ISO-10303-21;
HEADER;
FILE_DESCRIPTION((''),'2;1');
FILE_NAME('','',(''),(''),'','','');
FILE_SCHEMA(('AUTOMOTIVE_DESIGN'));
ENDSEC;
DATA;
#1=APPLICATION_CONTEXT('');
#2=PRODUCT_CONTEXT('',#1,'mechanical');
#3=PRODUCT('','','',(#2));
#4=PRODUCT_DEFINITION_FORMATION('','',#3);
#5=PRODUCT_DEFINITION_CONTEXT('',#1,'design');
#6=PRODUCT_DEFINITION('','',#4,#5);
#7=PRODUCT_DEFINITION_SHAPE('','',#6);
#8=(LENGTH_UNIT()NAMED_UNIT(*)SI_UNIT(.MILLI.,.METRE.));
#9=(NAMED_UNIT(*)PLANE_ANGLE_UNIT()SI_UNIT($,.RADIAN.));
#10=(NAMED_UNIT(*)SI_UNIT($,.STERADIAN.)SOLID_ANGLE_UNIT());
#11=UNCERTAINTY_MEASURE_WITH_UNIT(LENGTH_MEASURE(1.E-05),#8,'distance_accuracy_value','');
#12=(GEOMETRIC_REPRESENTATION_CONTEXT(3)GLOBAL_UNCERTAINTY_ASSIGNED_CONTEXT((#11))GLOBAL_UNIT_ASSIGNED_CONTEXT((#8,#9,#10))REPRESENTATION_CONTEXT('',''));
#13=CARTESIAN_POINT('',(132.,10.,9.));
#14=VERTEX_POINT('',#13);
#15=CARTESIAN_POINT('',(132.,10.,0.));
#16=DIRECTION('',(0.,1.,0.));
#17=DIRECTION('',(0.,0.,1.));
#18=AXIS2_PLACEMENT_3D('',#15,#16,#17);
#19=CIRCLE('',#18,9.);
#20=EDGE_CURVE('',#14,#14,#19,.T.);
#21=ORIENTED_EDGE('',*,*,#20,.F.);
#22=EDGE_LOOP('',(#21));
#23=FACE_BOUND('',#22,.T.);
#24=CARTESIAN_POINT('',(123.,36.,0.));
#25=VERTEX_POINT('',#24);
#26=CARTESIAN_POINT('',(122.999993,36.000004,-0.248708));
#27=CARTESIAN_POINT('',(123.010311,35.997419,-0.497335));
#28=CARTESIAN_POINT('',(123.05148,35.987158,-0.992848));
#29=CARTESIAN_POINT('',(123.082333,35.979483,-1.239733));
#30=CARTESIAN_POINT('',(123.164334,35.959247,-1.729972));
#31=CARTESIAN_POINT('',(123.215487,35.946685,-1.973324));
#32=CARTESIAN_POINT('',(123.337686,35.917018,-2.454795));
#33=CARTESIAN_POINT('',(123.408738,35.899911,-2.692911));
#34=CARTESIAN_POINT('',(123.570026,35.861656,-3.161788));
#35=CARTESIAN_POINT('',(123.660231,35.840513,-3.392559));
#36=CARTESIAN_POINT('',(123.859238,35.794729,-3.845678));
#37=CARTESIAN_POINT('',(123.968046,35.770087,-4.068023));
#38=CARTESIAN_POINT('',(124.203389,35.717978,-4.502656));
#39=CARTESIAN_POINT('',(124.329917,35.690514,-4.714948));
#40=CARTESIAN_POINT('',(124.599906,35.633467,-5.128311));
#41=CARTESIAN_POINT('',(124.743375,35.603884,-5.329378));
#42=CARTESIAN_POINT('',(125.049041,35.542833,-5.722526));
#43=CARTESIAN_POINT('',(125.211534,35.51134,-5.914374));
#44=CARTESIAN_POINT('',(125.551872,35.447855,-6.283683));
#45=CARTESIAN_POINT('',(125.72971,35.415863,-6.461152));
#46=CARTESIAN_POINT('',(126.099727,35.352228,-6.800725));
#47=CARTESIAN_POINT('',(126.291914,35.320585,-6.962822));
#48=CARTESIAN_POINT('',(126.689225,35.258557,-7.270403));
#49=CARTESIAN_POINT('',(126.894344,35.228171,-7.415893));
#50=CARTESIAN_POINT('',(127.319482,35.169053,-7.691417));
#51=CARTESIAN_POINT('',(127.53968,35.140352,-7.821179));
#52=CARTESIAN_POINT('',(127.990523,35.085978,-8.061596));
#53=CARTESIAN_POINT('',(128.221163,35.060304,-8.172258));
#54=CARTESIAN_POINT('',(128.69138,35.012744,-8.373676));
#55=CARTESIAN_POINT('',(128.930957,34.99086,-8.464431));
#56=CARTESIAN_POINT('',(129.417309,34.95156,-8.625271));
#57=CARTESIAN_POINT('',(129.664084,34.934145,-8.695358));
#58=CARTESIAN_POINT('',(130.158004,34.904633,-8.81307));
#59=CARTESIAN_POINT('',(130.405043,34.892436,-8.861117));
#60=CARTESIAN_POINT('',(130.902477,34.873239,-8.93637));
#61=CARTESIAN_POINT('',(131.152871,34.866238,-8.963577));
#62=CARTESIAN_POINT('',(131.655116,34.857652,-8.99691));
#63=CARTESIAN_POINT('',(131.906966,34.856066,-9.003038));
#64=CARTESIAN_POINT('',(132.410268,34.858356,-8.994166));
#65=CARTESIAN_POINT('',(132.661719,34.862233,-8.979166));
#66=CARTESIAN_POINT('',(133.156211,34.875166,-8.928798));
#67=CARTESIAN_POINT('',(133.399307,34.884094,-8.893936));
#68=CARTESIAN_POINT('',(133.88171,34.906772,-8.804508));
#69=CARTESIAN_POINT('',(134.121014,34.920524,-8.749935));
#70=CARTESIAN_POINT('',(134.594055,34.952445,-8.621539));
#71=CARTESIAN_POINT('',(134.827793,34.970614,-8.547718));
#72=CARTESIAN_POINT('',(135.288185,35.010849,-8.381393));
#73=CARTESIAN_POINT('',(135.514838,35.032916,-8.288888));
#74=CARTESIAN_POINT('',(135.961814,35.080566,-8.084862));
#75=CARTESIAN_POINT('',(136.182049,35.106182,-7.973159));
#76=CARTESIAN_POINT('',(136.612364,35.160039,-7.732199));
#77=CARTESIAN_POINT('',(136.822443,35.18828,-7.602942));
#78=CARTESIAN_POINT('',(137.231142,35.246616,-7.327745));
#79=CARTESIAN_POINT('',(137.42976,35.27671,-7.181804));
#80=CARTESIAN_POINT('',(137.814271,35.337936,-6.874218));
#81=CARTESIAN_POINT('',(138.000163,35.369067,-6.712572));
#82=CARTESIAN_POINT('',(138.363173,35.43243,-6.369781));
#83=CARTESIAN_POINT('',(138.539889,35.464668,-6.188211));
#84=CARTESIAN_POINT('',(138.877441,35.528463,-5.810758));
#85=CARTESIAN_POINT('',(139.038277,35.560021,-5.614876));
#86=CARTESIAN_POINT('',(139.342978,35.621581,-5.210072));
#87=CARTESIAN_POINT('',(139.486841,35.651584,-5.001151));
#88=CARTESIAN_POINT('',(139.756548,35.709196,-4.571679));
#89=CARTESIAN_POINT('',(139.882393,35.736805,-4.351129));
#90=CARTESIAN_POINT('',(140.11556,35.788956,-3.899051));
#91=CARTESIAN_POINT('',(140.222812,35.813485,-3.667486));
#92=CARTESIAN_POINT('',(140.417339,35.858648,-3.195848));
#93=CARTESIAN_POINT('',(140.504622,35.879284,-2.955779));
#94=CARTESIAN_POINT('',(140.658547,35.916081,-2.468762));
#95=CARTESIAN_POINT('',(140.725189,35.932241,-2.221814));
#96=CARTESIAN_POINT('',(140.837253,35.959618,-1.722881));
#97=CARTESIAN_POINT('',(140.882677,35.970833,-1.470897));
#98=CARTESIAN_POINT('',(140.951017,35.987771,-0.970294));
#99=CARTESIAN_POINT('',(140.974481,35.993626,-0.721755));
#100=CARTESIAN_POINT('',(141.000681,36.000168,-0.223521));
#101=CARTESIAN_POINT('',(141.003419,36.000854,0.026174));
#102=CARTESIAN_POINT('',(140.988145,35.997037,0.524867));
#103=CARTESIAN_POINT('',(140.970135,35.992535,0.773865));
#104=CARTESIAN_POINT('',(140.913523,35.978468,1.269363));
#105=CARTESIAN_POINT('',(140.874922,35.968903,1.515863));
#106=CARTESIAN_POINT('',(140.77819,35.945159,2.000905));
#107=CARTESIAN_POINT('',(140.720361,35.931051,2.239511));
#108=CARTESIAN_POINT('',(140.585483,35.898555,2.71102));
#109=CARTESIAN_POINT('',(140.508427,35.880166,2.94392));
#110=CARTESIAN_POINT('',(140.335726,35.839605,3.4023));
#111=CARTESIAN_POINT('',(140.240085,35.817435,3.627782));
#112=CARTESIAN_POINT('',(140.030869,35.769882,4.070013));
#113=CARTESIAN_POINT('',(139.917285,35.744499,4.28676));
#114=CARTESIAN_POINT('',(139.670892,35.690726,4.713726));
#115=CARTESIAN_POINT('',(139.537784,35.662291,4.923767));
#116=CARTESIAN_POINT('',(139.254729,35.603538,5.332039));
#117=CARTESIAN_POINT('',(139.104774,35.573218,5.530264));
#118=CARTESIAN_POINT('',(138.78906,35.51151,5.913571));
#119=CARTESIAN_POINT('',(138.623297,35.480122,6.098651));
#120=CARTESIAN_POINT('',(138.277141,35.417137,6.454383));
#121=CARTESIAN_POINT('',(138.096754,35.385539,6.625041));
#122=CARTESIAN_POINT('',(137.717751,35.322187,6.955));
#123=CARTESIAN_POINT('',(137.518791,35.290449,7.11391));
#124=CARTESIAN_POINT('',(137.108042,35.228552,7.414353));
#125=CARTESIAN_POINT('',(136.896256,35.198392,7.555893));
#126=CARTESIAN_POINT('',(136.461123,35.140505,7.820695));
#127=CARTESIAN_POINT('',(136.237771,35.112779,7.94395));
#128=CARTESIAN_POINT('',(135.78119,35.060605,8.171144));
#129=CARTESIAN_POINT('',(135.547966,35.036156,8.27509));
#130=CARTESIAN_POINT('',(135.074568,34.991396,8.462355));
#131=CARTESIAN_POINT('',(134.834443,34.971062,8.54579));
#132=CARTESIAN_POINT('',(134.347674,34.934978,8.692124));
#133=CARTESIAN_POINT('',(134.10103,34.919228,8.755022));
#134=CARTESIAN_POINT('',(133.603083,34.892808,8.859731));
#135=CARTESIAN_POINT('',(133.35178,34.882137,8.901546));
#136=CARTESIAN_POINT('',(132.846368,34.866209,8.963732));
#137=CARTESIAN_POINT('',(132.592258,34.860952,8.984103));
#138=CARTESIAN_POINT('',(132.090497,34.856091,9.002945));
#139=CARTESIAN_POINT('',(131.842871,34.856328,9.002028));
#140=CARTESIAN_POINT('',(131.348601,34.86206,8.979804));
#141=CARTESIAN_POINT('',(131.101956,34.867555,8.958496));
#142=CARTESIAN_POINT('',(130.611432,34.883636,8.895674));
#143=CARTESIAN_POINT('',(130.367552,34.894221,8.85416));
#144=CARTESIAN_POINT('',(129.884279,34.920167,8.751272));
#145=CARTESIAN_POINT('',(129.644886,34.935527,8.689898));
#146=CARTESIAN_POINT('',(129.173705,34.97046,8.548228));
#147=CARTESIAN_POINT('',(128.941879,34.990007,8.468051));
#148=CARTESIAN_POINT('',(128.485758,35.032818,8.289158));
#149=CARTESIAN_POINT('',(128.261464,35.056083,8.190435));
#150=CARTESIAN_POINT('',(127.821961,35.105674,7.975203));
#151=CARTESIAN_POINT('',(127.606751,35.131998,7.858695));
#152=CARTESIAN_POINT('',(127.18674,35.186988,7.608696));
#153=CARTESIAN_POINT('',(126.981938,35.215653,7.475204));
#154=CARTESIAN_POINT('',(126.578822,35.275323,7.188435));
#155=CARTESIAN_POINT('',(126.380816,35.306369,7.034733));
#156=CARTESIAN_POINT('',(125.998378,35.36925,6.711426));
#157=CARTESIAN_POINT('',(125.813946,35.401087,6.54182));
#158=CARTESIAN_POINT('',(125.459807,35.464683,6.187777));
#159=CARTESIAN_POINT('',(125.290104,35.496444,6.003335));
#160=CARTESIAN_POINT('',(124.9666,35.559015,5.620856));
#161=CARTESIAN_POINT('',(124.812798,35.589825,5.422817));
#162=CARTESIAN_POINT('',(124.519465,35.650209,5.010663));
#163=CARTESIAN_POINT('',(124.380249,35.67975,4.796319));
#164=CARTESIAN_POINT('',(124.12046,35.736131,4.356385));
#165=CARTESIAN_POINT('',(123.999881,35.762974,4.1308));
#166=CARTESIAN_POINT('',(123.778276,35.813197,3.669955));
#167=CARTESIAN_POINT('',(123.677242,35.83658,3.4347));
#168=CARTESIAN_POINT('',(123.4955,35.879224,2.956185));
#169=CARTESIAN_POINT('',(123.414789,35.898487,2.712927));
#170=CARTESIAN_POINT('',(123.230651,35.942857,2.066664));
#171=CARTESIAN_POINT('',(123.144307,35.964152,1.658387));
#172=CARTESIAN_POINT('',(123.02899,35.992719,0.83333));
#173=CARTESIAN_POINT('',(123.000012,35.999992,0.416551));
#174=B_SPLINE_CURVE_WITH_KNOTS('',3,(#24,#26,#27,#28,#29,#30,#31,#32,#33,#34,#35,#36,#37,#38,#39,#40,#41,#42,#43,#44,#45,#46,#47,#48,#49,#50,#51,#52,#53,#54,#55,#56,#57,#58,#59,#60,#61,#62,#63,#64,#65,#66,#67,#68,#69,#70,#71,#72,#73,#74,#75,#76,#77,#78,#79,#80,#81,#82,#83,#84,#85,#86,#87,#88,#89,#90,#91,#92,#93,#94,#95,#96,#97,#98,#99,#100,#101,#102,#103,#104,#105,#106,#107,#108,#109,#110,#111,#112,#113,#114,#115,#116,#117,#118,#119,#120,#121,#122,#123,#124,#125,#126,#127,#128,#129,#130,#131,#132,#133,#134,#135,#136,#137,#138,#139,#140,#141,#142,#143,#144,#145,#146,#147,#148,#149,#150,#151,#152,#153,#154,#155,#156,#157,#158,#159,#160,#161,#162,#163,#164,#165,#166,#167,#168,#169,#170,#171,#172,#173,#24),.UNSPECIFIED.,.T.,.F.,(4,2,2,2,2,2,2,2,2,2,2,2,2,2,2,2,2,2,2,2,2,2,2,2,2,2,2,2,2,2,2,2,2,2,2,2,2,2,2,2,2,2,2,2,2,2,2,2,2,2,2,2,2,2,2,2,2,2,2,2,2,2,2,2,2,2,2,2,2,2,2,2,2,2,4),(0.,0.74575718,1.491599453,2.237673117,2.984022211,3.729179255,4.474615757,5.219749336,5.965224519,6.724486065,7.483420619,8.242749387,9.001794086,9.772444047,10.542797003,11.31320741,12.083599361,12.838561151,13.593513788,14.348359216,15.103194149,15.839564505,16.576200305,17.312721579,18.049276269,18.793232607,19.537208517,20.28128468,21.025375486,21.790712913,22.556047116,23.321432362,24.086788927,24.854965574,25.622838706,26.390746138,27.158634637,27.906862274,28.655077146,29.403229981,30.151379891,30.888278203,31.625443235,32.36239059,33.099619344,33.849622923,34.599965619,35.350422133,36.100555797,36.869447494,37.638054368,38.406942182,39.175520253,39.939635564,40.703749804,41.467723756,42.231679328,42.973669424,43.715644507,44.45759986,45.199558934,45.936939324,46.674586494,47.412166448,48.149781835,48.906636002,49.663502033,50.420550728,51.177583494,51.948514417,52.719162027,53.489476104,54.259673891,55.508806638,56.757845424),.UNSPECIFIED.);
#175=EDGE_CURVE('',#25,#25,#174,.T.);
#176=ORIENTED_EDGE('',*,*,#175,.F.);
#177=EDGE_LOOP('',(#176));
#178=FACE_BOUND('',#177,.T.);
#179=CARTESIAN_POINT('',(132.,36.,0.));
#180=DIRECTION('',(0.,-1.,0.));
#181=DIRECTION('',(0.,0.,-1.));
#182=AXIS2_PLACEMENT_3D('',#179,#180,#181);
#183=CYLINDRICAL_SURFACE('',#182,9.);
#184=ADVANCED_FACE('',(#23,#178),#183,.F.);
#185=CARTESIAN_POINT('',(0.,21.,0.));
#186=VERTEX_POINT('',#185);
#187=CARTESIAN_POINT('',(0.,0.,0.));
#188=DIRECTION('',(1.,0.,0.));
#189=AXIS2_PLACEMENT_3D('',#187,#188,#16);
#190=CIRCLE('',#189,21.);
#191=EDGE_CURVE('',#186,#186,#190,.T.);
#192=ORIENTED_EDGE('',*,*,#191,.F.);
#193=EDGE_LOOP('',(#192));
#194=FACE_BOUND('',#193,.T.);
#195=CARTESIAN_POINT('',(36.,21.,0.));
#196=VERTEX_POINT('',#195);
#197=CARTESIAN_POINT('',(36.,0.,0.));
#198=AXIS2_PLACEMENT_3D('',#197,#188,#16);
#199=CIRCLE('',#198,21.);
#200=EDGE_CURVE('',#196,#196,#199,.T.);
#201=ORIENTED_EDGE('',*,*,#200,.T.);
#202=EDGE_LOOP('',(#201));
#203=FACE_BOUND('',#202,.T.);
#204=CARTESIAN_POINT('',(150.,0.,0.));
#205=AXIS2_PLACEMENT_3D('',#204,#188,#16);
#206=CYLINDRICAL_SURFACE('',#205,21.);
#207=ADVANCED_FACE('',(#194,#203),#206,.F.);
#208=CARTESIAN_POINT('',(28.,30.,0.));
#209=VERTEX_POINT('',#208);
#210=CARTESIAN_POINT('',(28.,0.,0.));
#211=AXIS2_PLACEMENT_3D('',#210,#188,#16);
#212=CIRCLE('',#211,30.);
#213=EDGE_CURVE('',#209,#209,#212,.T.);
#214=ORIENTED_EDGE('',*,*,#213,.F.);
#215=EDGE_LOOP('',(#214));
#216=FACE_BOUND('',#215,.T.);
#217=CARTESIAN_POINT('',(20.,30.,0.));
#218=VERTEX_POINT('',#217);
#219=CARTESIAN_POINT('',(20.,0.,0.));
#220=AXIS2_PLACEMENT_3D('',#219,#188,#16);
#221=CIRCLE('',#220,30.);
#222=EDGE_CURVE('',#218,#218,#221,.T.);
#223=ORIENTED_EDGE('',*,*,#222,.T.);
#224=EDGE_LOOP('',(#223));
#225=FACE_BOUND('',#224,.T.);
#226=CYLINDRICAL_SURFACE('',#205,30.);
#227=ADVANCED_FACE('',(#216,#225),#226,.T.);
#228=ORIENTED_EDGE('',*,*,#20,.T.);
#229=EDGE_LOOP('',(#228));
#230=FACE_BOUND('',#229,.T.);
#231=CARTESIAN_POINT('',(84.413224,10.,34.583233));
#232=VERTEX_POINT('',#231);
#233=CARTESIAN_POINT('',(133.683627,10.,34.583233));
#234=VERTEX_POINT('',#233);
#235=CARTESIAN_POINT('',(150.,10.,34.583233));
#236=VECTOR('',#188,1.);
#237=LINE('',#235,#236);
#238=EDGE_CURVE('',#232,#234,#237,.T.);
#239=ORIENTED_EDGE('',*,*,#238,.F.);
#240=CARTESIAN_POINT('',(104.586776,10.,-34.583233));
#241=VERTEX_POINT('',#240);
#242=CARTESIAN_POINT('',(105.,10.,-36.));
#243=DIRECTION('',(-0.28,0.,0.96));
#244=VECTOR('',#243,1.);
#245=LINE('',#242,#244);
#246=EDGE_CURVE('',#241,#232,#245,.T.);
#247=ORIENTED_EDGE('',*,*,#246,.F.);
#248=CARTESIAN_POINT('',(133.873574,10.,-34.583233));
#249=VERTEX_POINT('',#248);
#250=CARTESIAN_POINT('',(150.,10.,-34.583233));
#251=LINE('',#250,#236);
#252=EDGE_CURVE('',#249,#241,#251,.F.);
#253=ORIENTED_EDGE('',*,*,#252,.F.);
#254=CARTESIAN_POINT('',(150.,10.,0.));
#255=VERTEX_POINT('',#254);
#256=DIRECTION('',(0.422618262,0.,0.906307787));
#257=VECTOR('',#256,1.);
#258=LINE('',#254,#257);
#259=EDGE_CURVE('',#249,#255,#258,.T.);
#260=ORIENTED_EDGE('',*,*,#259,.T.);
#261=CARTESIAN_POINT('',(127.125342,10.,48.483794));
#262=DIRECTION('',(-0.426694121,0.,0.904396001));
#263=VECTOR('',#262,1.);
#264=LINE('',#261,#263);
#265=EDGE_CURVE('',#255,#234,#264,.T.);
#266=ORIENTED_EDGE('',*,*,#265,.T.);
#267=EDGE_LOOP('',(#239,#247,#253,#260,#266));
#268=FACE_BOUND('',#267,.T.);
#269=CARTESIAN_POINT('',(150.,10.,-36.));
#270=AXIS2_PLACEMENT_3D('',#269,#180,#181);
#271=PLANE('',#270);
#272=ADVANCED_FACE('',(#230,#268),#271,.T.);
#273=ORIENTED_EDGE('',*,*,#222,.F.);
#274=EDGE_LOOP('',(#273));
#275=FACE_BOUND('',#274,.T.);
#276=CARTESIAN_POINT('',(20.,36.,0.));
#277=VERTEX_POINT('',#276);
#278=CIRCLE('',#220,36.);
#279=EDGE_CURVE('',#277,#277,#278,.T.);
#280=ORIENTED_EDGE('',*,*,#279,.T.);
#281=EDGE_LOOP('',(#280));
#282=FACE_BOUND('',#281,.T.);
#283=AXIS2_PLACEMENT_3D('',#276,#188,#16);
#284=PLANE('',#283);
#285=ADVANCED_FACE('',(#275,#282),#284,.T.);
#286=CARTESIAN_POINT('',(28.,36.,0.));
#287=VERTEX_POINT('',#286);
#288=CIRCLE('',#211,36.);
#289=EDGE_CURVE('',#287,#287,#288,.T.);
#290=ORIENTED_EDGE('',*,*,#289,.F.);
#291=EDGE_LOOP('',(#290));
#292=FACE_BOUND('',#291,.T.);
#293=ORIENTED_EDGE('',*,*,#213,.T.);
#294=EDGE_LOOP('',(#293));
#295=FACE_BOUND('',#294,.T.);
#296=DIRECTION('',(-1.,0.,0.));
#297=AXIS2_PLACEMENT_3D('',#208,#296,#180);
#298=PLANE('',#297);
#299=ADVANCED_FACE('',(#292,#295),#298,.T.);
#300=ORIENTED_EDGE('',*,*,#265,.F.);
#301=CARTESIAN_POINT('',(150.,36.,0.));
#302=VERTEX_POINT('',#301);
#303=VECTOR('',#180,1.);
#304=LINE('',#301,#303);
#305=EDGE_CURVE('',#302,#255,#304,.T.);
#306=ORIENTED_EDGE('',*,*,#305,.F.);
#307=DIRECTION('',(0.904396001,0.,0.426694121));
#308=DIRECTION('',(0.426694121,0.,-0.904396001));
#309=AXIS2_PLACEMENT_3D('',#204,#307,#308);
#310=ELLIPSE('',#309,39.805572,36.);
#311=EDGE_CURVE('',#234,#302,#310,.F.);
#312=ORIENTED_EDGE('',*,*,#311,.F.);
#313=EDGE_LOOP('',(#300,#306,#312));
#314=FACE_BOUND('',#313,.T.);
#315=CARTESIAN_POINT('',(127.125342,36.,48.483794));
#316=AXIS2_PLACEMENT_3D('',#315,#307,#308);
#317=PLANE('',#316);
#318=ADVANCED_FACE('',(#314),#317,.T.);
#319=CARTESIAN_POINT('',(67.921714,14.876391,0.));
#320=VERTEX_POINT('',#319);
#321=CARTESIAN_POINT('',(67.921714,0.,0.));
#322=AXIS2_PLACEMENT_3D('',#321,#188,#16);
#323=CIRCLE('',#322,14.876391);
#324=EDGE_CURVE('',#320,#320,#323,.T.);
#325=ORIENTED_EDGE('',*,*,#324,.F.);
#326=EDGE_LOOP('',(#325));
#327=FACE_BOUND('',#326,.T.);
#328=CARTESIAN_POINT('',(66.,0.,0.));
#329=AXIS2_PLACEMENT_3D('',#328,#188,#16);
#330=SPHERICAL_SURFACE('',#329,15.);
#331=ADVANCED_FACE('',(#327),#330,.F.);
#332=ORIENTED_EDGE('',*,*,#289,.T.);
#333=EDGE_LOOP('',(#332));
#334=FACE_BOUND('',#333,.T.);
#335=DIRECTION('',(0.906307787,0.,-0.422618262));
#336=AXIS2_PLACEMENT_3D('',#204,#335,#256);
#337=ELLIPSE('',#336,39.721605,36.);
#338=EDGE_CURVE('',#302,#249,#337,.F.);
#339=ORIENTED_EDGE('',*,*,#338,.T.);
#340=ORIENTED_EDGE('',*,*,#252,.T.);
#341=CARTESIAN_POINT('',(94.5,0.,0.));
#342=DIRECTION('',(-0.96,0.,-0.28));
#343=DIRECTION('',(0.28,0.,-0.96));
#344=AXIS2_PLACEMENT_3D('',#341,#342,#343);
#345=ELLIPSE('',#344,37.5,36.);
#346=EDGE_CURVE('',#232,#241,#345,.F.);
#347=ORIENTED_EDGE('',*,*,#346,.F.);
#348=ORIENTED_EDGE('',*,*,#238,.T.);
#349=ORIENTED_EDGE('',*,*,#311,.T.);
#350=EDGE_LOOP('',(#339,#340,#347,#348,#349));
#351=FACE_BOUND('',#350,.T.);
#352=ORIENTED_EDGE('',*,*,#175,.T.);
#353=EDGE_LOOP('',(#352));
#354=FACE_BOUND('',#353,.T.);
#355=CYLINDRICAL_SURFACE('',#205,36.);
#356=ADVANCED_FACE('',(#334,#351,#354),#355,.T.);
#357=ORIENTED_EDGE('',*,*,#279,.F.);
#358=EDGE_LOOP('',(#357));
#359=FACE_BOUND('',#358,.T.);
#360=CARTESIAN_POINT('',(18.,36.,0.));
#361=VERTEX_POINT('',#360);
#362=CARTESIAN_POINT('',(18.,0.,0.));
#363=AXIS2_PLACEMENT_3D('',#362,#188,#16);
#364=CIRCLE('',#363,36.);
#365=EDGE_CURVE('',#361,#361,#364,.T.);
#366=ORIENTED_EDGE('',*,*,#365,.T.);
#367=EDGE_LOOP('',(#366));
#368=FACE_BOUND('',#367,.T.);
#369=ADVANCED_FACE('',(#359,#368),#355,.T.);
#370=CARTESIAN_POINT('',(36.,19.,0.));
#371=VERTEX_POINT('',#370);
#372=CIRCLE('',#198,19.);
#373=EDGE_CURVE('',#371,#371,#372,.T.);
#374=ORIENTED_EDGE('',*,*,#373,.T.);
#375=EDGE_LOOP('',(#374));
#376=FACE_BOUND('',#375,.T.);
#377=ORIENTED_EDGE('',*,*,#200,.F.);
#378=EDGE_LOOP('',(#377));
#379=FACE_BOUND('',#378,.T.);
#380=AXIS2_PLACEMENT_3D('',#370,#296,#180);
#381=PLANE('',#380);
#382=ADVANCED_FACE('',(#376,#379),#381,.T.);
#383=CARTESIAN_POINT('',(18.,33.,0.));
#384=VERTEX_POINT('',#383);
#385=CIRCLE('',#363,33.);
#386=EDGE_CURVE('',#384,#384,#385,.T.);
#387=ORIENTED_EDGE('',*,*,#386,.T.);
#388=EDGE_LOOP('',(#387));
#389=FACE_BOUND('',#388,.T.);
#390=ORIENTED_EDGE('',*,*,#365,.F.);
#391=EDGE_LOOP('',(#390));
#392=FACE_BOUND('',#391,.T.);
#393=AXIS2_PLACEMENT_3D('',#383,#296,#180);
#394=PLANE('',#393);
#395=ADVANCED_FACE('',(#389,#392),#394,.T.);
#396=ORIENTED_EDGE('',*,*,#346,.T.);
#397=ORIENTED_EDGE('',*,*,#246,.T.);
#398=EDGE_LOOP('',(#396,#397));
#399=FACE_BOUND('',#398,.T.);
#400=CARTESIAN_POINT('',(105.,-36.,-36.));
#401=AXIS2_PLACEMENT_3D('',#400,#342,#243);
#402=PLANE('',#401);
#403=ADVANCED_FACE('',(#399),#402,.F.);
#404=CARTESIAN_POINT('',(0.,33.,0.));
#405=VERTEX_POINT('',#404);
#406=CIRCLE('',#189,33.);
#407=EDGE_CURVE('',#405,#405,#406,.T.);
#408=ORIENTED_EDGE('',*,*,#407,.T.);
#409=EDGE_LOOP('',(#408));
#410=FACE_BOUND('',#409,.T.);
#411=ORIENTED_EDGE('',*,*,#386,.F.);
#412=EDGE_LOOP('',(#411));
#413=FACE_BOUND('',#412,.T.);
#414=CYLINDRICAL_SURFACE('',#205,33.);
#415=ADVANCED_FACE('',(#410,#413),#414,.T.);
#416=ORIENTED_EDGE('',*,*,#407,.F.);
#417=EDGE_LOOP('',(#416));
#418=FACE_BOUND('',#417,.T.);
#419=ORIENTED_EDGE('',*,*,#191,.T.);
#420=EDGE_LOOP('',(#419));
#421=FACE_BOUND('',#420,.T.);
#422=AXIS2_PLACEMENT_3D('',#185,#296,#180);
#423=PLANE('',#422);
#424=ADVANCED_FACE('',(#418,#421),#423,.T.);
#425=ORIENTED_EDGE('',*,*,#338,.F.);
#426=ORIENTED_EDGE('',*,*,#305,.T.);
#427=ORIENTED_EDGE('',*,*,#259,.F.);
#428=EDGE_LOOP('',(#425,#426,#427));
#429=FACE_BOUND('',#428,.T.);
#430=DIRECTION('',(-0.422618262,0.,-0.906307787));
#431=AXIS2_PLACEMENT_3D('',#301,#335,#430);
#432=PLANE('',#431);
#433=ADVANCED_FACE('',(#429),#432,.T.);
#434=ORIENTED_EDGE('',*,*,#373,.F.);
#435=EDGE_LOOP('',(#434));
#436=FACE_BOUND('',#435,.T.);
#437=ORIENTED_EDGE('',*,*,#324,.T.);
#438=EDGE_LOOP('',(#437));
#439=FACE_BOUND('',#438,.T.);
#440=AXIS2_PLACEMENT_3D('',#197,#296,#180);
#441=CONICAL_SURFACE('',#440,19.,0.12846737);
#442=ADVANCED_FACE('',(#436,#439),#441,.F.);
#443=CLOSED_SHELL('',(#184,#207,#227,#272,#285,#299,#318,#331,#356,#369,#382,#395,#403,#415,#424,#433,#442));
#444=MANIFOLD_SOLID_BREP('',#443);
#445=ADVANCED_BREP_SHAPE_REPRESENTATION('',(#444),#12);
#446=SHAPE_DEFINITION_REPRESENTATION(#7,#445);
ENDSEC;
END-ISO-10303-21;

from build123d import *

# Parameters (mm, degrees)
ENL_V_MAT_EXTRU_3_DEPTH = 161.972047263
ESQUISSE8_R             = 9
ENL_V_MAT_EXTRU_4_DEPTH = 161.972047263


with BuildPart() as part:
    # Esquisse6 → Révolution1 (revolve)
    with BuildSketch(Plane.XY):
        with BuildLine():
            Line((0, 21), (0, 33))
            Line((0, 33), (18, 33))
            Line((18, 33), (18, 36))
            Line((18, 36), (20, 36))
            Line((20, 36), (20, 30))
            Line((20, 30), (28, 30))
            Line((28, 30), (28, 36))
            Line((28, 36), (150, 36))
            Line((150, 36), (150, 0))
            Line((150, 0), (80.999999995, 0))
            ThreePointArc((80.999999995, 0), (77.265560701, 9.903895293), (67.921714398, 14.876391154))
            Line((67.921714398, 14.876391154), (36, 19))
            Line((36, 19), (36, 21))
            Line((36, 21), (0, 21))
        make_face()
    revolve(axis=Axis((150, 0, 0), (-1, 0, 0)))

    # Esquisse7 → Enlèv. mat.-Extru.3 (cut, through all)
    with BuildSketch(Plane(origin=(0, 10, 0), x_dir=(1, 0, 0), z_dir=(0, 1, 0))):
        Polygon((105, 36), (84, -36), (150, -36), (150, 36), align=None)
    extrude(amount=-ENL_V_MAT_EXTRU_3_DEPTH, mode=Mode.SUBTRACT)

    # Esquisse8 → Enlèv. mat.-Extru.4 (cut, through all)
    with BuildSketch(Plane(origin=(0, 10, 0), x_dir=(-1, 0, 0), z_dir=(0, 1, 0))):
        with Locations(Location((-132, 0, 0), (0, 0, 180))):
            Circle(ESQUISSE8_R)
        Polygon((-130.288986923, -42.270403954), (-160.663521038, -42.270403954), (-160.663521038, 48.483793559), (-127.12534153, 48.483793559), (-150, 0), align=None)
    extrude(amount=ENL_V_MAT_EXTRU_4_DEPTH, mode=Mode.SUBTRACT)


solid = part.part
